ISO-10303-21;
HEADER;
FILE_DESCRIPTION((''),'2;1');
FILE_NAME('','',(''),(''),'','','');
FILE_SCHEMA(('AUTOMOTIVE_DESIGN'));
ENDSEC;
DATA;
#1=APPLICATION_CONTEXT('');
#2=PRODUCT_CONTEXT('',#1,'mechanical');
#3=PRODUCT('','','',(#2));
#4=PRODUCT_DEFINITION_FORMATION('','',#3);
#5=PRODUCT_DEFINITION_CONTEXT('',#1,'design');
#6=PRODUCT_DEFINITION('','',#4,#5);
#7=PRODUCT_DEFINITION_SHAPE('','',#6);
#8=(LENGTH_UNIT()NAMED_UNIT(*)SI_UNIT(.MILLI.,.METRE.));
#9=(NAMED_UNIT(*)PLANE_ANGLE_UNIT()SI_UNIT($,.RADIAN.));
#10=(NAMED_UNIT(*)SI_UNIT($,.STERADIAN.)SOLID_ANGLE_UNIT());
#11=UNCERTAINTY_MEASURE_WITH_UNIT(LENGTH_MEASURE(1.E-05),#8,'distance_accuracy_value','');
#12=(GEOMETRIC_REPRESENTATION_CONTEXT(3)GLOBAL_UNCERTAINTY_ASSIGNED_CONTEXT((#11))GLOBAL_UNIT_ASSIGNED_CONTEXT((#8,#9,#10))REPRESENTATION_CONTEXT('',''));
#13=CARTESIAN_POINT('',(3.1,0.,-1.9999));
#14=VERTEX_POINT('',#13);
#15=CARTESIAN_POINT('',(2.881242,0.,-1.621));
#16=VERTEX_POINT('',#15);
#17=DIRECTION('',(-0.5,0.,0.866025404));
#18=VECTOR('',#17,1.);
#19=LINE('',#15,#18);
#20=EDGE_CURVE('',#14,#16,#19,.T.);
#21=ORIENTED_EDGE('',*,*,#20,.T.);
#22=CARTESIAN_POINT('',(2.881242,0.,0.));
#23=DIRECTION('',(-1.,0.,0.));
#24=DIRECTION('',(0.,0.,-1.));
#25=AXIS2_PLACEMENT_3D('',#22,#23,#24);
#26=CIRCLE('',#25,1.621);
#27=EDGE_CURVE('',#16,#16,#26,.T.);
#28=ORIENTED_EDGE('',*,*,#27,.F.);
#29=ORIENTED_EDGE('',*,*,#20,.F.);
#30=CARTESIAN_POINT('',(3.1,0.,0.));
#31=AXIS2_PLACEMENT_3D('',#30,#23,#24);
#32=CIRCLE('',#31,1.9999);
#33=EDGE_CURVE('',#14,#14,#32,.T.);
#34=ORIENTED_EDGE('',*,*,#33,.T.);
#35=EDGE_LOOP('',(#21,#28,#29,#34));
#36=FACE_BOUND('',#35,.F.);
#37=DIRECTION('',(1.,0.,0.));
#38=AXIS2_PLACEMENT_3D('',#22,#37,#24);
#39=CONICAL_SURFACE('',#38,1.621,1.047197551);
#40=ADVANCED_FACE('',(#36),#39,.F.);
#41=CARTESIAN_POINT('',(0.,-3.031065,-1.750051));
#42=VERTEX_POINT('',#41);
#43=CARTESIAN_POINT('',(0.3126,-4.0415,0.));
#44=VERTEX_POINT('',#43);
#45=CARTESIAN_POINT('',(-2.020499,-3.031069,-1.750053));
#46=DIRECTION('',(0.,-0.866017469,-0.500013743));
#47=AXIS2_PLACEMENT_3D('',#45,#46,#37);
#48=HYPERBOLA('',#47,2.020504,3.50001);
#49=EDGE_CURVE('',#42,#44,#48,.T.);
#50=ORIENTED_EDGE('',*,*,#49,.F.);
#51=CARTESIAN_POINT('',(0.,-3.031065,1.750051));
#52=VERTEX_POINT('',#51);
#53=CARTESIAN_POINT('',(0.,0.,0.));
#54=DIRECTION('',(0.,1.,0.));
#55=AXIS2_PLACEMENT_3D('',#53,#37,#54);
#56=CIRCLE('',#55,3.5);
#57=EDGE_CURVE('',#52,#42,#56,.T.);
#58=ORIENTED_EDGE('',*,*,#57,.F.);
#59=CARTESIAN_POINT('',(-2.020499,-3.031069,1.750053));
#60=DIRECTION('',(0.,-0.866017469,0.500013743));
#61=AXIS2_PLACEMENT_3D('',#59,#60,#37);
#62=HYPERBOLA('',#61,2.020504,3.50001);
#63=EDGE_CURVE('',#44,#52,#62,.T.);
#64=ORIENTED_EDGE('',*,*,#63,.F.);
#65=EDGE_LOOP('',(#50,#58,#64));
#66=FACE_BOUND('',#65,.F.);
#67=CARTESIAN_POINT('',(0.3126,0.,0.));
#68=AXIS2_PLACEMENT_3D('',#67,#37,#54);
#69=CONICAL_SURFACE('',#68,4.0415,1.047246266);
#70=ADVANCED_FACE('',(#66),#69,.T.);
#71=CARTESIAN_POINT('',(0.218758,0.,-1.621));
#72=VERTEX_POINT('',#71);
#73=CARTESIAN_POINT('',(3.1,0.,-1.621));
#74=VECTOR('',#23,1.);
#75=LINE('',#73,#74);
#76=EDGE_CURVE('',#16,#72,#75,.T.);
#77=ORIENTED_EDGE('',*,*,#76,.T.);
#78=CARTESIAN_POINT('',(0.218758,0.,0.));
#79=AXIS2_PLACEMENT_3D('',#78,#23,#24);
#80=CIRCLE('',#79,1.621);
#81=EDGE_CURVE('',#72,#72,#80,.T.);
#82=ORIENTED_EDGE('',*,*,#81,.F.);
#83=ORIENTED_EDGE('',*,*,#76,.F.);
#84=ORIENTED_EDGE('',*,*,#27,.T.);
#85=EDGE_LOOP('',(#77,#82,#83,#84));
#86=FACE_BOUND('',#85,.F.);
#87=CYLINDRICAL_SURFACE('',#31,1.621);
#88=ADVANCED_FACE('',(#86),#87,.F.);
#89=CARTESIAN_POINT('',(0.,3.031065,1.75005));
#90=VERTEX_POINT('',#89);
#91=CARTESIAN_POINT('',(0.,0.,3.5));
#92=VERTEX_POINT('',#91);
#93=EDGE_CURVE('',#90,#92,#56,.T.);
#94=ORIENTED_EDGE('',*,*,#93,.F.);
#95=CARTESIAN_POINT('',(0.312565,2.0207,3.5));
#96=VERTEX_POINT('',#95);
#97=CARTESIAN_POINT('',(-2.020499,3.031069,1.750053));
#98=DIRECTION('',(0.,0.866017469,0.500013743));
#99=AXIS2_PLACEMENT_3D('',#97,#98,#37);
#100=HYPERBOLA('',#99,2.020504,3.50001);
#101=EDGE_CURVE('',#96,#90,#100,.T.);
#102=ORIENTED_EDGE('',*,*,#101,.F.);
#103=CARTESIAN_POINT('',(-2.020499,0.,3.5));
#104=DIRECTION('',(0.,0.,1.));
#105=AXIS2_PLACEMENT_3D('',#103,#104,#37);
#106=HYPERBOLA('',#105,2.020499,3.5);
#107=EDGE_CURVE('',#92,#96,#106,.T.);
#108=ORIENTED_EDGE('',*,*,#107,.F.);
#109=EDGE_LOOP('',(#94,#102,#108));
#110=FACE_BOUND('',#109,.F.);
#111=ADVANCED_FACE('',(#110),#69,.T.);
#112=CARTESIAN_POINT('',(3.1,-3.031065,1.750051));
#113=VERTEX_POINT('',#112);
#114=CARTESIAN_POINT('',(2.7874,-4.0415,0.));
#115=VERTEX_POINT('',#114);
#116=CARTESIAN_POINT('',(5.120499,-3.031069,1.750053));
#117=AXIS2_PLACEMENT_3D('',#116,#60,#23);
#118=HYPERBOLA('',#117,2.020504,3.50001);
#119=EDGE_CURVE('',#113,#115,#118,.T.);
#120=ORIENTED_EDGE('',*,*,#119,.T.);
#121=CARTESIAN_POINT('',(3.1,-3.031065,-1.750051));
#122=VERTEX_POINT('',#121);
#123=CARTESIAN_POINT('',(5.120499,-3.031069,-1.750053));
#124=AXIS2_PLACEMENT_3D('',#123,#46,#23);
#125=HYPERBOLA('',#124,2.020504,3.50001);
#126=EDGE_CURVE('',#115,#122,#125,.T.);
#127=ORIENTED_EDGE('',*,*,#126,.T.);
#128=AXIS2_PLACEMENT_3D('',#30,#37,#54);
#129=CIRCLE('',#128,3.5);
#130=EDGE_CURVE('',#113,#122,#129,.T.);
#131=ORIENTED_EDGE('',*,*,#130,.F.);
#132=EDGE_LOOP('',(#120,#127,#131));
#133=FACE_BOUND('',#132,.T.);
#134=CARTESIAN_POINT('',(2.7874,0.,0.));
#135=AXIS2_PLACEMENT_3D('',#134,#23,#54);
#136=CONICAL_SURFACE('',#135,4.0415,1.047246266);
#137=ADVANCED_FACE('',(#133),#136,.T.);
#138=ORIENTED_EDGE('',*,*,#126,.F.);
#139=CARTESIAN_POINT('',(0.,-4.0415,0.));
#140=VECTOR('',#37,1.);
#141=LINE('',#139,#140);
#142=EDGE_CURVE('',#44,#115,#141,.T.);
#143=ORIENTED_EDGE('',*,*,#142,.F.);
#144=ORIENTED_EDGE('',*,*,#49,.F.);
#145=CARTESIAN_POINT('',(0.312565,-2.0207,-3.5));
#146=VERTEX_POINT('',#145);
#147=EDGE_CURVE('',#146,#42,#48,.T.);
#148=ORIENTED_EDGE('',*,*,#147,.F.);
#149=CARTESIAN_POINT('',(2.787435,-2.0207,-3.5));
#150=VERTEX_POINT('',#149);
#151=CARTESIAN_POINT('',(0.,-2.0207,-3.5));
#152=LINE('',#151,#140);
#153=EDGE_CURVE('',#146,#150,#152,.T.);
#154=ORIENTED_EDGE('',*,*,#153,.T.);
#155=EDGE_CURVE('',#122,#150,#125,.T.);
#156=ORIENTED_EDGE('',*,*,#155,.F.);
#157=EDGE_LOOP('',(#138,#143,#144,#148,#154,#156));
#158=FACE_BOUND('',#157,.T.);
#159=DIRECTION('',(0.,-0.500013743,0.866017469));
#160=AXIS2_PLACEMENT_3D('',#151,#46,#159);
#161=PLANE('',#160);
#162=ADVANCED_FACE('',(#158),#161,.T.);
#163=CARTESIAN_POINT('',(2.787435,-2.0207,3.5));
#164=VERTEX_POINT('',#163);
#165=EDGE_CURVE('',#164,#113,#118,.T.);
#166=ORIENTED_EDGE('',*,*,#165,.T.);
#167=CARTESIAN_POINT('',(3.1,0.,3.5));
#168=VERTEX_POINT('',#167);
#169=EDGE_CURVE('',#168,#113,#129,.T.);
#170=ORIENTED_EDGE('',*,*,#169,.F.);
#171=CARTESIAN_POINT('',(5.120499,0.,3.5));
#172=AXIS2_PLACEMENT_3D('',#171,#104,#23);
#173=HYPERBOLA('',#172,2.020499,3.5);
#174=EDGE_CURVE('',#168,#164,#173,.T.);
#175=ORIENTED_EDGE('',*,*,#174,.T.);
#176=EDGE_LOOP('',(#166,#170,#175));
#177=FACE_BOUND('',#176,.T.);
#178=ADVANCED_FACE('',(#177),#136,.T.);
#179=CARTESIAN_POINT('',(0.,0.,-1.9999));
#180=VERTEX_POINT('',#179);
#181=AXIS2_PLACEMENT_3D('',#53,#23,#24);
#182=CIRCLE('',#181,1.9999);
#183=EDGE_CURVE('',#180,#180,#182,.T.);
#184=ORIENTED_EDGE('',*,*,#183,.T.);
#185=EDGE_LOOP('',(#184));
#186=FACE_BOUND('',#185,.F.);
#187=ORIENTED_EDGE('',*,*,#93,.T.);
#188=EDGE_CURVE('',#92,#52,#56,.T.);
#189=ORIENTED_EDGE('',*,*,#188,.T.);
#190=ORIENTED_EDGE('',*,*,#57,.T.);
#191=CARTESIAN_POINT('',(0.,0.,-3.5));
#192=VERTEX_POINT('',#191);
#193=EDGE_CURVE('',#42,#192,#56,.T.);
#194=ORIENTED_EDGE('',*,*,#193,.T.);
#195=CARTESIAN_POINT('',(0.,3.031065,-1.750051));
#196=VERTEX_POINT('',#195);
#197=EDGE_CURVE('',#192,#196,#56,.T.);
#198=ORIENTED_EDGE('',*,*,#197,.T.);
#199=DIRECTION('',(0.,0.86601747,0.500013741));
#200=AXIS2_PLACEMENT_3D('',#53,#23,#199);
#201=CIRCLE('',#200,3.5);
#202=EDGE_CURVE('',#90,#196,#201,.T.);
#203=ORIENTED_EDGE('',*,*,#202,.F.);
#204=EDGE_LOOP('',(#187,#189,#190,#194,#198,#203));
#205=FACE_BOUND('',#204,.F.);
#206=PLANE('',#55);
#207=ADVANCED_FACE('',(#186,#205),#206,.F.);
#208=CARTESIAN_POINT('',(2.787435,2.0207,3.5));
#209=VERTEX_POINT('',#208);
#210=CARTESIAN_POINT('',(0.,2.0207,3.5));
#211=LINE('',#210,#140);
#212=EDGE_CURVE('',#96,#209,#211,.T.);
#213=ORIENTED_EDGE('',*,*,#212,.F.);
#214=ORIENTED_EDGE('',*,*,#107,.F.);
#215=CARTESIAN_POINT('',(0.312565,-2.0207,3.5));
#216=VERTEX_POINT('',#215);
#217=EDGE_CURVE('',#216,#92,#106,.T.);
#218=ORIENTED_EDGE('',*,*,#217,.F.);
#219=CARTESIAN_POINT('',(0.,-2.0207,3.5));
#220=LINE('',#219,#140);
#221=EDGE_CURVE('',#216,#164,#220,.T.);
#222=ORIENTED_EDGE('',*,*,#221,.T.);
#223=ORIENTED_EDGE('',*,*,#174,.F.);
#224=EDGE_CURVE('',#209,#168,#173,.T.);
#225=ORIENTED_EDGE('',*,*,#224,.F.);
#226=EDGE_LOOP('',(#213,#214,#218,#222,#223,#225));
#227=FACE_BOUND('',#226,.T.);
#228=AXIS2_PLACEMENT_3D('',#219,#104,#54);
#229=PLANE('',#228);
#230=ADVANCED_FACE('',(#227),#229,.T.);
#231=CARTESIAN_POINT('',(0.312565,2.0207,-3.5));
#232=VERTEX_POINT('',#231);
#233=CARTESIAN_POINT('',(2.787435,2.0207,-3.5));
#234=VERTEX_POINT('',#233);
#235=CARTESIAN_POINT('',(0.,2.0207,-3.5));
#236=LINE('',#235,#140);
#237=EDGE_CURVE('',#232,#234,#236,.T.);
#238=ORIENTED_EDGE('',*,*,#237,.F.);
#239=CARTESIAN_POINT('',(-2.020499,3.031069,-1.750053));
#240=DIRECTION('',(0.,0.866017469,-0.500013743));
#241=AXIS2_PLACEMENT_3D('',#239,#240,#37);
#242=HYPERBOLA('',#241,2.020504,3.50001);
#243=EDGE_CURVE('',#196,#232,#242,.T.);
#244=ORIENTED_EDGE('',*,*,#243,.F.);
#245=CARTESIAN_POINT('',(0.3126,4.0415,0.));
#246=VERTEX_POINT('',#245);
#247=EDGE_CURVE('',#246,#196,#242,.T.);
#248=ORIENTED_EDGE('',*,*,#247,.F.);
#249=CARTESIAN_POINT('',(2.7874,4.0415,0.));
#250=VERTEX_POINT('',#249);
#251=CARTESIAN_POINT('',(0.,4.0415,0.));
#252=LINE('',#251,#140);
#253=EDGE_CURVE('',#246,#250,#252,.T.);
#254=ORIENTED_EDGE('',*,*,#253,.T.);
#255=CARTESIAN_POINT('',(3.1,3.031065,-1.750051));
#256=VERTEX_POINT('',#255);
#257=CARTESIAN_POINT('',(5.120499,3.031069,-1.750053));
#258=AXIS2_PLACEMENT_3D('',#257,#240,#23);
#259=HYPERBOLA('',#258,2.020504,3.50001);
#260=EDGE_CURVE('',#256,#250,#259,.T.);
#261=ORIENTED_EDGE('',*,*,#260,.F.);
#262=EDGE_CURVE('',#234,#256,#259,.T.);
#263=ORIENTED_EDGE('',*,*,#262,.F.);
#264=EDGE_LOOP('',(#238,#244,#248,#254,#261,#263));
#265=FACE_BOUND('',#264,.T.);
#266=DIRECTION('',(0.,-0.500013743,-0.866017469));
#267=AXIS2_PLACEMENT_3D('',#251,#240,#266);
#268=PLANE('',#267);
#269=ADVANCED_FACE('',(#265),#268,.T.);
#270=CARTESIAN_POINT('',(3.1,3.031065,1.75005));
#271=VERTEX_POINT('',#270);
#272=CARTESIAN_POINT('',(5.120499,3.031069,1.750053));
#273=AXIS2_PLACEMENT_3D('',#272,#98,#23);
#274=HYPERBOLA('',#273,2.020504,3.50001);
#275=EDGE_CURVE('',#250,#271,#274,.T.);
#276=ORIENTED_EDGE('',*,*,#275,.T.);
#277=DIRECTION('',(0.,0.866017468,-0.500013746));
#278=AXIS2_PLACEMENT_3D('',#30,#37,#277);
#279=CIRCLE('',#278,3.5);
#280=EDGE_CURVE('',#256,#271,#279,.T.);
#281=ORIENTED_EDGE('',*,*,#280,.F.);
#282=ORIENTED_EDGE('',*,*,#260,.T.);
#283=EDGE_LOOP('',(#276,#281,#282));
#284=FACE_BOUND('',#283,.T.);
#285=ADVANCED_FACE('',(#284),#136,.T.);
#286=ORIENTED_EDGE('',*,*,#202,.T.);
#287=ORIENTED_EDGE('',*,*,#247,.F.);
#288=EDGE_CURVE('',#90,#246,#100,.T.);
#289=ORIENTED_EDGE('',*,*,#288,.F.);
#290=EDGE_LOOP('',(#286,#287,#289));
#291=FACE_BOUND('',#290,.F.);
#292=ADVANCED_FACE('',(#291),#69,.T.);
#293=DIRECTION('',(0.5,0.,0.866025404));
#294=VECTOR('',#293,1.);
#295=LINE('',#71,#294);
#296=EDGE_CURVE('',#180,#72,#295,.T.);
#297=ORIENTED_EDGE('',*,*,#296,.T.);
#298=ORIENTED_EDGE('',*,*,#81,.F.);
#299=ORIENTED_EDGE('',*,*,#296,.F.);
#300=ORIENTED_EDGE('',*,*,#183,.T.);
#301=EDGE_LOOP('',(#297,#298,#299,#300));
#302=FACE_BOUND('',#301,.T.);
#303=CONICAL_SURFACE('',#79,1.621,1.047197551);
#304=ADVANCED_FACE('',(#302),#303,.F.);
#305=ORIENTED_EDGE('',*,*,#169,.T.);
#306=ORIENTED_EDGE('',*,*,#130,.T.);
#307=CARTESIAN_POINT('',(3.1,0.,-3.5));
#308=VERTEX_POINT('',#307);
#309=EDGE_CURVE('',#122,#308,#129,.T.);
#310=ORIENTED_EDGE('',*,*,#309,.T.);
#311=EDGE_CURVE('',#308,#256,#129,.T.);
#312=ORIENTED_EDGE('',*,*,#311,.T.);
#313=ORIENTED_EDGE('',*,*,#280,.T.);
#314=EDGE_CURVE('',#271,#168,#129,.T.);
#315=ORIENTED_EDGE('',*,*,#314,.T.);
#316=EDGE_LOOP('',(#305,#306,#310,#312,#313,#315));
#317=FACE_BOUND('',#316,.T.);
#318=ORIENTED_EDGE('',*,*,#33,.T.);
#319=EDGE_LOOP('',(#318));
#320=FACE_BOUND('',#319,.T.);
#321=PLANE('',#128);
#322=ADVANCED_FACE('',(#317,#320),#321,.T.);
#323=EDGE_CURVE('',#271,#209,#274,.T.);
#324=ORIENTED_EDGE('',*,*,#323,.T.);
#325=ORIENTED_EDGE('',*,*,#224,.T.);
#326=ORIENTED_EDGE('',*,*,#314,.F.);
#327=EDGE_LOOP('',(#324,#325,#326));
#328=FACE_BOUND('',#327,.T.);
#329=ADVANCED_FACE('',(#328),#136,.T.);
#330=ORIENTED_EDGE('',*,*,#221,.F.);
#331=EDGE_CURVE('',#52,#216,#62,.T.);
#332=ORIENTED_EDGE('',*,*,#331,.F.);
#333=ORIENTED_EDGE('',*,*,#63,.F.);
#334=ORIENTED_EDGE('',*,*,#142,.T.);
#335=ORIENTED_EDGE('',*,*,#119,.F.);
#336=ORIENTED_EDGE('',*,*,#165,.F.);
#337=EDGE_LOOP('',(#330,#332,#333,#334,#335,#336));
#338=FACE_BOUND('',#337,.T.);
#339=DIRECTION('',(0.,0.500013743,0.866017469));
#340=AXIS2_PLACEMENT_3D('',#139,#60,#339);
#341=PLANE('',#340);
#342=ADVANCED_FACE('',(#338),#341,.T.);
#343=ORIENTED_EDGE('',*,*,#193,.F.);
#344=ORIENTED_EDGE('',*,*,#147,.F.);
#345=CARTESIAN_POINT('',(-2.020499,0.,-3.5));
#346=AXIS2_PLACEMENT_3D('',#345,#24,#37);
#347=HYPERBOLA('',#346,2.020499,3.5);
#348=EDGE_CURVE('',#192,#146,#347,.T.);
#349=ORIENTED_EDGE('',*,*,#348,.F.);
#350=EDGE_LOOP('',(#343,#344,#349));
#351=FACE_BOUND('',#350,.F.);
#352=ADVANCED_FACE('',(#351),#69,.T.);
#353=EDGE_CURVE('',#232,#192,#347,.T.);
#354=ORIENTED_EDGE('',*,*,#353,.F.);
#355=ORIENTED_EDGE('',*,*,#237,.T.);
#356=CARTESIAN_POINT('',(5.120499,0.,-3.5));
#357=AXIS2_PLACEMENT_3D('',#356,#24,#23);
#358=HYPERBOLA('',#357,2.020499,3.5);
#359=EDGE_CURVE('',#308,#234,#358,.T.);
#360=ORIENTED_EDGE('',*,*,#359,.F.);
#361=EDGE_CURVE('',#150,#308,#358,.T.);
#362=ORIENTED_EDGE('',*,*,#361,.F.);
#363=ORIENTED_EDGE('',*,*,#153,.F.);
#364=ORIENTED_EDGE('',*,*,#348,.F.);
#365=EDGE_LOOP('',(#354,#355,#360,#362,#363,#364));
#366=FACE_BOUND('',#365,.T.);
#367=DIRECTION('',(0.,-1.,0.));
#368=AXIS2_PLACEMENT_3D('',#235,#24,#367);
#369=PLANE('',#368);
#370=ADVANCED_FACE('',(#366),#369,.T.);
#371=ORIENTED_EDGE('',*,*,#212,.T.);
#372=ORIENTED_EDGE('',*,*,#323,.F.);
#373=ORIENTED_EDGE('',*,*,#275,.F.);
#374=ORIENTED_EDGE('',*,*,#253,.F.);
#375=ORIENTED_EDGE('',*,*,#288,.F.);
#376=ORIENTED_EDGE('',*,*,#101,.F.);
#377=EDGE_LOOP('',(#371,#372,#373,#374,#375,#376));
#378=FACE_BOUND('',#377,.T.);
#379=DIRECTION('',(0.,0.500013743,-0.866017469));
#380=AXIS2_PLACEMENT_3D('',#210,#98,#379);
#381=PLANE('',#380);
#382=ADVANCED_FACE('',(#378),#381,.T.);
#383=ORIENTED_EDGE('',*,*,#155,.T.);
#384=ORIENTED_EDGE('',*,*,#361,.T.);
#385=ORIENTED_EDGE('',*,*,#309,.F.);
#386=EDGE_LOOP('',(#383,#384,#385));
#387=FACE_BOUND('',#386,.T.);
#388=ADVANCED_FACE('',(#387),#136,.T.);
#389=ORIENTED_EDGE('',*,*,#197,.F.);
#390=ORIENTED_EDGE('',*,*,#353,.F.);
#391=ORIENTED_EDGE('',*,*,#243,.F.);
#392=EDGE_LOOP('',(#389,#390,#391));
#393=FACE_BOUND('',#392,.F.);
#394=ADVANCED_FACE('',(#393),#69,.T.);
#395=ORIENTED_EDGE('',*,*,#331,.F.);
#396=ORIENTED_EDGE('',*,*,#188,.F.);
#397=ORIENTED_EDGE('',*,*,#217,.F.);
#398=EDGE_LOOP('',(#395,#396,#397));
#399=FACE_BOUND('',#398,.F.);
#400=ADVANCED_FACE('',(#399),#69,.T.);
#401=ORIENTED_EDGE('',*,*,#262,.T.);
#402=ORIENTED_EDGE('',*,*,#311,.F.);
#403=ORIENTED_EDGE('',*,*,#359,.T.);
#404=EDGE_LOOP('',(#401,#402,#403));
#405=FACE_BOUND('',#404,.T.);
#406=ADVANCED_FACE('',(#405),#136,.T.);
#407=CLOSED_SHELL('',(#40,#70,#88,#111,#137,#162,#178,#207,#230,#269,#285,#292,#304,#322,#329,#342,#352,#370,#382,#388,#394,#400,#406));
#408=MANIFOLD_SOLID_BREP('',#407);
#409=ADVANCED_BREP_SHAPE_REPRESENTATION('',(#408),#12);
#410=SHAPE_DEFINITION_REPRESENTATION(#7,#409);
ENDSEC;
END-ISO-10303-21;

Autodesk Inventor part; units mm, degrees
ref_plane "YZ Plane" through (0, 0, 0) normal (1, 0, 0) x (0, 1, 0)
ref_plane "XZ Plane" through (0, 0, 0) normal (0, 1, 0) x (-1, 0, 0)
ref_plane "XY Plane" through (0, 0, 0) normal (0, 0, 1) x (1, 0, 0)
sketch "Sketch1" plane through (0, 0, 0) normal (1, 0, 0) x (0, 1, 0)
  line L0 (-4.0415, 0) -> (-2.0207, 3.5)
  line L1 (-2.0207, 3.5) -> (2.0207, 3.5)
  line L2 (2.0207, 3.5) -> (4.0415, 0)
  line L3 (4.0415, 0) -> (2.0207, -3.5)
  line L4 (2.0207, -3.5) -> (-2.0207, -3.5)
  line L5 (-2.0207, -3.5) -> (-4.0415, 0)
  point P0 (0, 0)
  point P1 (0, 0)
  dimension "d0" = 8.0829
extrude "Body" add sketch "Sketch1" along normal blind 3.1
sketch "Sketch2" plane through (0, 0, 0) normal (0, 0, 1) x (1, 0, 0)
  line L0 (0, 2.0207) -> (0, 4.0415) projected
  line L1 (0, 4.0415) -> (3.1, 4.0415) projected
  line L2 (3.1, 2.0207) -> (3.1, 4.0415) projected
  line L3 (-0.62, 0) -> (3.72, 0) projected
  line L4 (0.3126, 4.0415) -> (0, 3.5)
  line L5 (2.7874, 4.0415) -> (3.1, 3.5)
  dimension "d3" = 30
  dimension "d4" = 30
  dimension "d5" = 7
  dimension "d6" = 7
revolve "Chamfer1" cut sketch "Sketch2" angle 360 about axis through (-10, 0, 0) along (1, 0, 0)
sketch "Sketch3" plane through (3.1, 0, 0) normal (1, 0, 0) x (0, 0, -1)
  arc A0 (-1.75, -3.0311) -> (1.75, -3.0311) centre (0, 0) ccw projected
hole "Thread" at (3.1, 0, 0) direction (-1, 0, 0) diameter 3.242 end through all thread size "M4x0.7" class "6H" standard "ANSI Metric M Profile"
chamfer "Chamfer2" distance 0.3789 angle 30 1 edges at (3.1, 0, 1.621) measured on face at (3.1, 2.8569, -0.0651)
chamfer "Chamfer3" distance 0.3789 angle 30 1 edges at (0, 0, 1.621) measured on face at (0, 2.8569, -0.0651)
equation "\"d0\" = 1.1547 * SW"
equation "\"d8\" = -0.5 * GD1 + 0.5 * NND"
equation "\"d40\" = -0.5 * GD1 + 0.5 * NND"
equation "\"d10\" = -0.5 * GD1 + 0.5 * NND"
equation "\"d41\" = -0.5 * GD1 + 0.5 * NND"
equation "\"d3\" = ANG1"
equation "\"d4\" = ANG2"
equation "\"d5\" = SW0"
equation "\"d6\" = SW01"
equation "\"ANG1\" = 30deg"
equation "\"ANG2\" = 30deg"
equation "\"NND\" = 4"
equation "\"KOH\" = 3.8"
equation "\"SW\" = 7"
equation "\"SW0\" = SW"
equation "\"SW01\" = SW"
equation "\"E0\" = 1.155 * SW"
equation "\"THREADDIA\" = 4"
equation "\"TPU\" = 0.7"
equation "\"GUL\" = 0.541266 * TPU"
equation "\"GAL\" = 0.541266 * TPU"
equation "\"PTC\" = TPU"
equation "\"TOA\" = 30deg"
equation "\"GD1\" = 3.242228"
properties part number "NUT, HEX, M4" material "Steel, MS"
